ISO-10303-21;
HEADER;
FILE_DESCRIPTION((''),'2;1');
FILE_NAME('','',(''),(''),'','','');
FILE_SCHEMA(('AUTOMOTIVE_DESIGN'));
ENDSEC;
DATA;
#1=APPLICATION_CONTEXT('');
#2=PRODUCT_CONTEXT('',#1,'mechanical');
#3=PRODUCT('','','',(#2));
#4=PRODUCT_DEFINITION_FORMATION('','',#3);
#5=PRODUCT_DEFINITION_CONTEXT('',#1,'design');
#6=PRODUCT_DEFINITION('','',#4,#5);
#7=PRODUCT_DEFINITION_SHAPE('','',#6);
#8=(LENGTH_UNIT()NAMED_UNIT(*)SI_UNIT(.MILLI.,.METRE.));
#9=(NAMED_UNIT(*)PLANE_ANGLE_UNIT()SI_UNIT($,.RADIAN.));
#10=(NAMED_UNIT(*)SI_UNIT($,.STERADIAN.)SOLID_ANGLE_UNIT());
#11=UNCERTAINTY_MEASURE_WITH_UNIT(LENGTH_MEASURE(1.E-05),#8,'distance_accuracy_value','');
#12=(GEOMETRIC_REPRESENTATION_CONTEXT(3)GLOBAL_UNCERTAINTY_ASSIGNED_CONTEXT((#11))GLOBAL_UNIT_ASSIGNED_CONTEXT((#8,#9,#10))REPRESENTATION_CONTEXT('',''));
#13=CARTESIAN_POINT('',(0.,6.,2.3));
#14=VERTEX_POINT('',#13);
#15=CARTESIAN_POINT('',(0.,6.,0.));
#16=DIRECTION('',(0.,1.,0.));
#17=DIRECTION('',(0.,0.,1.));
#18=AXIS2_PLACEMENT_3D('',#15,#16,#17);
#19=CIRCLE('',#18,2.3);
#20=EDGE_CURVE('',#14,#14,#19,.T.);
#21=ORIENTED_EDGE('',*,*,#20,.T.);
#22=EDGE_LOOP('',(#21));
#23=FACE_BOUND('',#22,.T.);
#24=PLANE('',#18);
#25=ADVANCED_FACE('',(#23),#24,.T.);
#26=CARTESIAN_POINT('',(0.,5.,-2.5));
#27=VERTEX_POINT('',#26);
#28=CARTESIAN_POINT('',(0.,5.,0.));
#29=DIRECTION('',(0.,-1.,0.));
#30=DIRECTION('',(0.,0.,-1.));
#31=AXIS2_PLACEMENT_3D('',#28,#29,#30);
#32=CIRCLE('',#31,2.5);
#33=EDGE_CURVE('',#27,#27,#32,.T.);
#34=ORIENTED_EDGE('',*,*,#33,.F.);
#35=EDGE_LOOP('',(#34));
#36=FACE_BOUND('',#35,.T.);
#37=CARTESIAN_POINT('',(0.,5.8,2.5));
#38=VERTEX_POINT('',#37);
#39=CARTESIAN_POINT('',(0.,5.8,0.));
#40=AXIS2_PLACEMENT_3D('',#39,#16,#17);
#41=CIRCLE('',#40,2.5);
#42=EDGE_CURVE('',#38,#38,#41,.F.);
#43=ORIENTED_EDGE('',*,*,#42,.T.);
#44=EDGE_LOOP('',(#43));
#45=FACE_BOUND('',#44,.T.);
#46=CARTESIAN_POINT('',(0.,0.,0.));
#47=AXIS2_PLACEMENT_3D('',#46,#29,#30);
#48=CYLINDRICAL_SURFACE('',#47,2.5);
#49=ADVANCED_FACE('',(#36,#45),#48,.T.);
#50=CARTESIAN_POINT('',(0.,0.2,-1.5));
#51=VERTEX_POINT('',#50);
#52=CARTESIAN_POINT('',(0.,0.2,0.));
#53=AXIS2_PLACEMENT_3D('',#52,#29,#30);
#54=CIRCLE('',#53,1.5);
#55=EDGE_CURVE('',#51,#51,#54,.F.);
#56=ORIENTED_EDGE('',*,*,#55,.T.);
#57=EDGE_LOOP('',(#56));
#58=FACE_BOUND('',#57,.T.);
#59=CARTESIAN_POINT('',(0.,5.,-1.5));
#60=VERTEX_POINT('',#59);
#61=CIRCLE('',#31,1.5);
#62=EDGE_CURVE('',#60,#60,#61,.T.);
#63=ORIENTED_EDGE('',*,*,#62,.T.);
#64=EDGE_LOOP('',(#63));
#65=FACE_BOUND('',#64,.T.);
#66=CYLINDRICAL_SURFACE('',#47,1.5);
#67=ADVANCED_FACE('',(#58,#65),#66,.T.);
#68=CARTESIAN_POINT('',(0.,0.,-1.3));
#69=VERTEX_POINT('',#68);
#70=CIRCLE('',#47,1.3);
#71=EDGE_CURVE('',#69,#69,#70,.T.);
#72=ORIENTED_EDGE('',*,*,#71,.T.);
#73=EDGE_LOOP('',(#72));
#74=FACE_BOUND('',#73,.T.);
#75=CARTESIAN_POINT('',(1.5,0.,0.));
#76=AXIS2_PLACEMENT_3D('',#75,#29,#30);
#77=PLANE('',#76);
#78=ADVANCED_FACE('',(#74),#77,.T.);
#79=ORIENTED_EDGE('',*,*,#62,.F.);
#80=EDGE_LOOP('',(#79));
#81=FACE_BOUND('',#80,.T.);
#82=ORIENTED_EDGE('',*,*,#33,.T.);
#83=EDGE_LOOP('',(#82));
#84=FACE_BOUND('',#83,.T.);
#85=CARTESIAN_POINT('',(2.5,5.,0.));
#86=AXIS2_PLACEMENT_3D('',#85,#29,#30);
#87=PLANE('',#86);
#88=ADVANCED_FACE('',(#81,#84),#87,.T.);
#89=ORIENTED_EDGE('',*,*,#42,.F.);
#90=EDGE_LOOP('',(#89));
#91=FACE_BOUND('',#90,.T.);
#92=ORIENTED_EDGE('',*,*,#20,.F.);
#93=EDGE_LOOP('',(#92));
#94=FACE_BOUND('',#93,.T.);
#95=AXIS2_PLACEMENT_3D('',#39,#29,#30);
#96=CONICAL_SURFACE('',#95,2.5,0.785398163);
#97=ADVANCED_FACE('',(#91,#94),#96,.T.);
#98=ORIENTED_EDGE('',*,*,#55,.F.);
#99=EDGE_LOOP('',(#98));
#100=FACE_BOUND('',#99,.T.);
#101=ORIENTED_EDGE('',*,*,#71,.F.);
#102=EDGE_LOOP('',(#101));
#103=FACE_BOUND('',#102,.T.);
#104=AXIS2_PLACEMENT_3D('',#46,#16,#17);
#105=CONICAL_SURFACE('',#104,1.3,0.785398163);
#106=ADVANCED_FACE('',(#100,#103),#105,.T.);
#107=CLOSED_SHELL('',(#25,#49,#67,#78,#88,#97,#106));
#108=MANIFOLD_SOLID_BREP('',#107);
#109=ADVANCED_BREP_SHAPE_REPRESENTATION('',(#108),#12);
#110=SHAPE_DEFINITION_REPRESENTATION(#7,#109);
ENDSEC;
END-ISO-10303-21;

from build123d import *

# Parameters (mm, degrees)
CHAMFER2_SIZE = 0.2


with BuildPart() as part:
    # Sketch2 → Revolve1 (revolve)
    with BuildSketch(Plane.XY, mode=Mode.PRIVATE) as revolve1_sk:
        Polygon((0, 0), (0, 6), (2.5, 6), (2.5, 5), (1.5, 5), (1.5, 0), align=None)
    revolve(revolve1_sk.sketch.rotate(Axis((0, 0, 0), (0, 1, 0)), 90), axis=Axis((0, 0, 0), (0, 1, 0)))

    # Chamfer2
    chamfer2_edges = [part.edges().sort_by_distance(p)[0] for p in [
        (0, 0, 1.5),
        (0, 6, 2.5),
    ]]
    chamfer(chamfer2_edges, length=CHAMFER2_SIZE)


solid = part.part
